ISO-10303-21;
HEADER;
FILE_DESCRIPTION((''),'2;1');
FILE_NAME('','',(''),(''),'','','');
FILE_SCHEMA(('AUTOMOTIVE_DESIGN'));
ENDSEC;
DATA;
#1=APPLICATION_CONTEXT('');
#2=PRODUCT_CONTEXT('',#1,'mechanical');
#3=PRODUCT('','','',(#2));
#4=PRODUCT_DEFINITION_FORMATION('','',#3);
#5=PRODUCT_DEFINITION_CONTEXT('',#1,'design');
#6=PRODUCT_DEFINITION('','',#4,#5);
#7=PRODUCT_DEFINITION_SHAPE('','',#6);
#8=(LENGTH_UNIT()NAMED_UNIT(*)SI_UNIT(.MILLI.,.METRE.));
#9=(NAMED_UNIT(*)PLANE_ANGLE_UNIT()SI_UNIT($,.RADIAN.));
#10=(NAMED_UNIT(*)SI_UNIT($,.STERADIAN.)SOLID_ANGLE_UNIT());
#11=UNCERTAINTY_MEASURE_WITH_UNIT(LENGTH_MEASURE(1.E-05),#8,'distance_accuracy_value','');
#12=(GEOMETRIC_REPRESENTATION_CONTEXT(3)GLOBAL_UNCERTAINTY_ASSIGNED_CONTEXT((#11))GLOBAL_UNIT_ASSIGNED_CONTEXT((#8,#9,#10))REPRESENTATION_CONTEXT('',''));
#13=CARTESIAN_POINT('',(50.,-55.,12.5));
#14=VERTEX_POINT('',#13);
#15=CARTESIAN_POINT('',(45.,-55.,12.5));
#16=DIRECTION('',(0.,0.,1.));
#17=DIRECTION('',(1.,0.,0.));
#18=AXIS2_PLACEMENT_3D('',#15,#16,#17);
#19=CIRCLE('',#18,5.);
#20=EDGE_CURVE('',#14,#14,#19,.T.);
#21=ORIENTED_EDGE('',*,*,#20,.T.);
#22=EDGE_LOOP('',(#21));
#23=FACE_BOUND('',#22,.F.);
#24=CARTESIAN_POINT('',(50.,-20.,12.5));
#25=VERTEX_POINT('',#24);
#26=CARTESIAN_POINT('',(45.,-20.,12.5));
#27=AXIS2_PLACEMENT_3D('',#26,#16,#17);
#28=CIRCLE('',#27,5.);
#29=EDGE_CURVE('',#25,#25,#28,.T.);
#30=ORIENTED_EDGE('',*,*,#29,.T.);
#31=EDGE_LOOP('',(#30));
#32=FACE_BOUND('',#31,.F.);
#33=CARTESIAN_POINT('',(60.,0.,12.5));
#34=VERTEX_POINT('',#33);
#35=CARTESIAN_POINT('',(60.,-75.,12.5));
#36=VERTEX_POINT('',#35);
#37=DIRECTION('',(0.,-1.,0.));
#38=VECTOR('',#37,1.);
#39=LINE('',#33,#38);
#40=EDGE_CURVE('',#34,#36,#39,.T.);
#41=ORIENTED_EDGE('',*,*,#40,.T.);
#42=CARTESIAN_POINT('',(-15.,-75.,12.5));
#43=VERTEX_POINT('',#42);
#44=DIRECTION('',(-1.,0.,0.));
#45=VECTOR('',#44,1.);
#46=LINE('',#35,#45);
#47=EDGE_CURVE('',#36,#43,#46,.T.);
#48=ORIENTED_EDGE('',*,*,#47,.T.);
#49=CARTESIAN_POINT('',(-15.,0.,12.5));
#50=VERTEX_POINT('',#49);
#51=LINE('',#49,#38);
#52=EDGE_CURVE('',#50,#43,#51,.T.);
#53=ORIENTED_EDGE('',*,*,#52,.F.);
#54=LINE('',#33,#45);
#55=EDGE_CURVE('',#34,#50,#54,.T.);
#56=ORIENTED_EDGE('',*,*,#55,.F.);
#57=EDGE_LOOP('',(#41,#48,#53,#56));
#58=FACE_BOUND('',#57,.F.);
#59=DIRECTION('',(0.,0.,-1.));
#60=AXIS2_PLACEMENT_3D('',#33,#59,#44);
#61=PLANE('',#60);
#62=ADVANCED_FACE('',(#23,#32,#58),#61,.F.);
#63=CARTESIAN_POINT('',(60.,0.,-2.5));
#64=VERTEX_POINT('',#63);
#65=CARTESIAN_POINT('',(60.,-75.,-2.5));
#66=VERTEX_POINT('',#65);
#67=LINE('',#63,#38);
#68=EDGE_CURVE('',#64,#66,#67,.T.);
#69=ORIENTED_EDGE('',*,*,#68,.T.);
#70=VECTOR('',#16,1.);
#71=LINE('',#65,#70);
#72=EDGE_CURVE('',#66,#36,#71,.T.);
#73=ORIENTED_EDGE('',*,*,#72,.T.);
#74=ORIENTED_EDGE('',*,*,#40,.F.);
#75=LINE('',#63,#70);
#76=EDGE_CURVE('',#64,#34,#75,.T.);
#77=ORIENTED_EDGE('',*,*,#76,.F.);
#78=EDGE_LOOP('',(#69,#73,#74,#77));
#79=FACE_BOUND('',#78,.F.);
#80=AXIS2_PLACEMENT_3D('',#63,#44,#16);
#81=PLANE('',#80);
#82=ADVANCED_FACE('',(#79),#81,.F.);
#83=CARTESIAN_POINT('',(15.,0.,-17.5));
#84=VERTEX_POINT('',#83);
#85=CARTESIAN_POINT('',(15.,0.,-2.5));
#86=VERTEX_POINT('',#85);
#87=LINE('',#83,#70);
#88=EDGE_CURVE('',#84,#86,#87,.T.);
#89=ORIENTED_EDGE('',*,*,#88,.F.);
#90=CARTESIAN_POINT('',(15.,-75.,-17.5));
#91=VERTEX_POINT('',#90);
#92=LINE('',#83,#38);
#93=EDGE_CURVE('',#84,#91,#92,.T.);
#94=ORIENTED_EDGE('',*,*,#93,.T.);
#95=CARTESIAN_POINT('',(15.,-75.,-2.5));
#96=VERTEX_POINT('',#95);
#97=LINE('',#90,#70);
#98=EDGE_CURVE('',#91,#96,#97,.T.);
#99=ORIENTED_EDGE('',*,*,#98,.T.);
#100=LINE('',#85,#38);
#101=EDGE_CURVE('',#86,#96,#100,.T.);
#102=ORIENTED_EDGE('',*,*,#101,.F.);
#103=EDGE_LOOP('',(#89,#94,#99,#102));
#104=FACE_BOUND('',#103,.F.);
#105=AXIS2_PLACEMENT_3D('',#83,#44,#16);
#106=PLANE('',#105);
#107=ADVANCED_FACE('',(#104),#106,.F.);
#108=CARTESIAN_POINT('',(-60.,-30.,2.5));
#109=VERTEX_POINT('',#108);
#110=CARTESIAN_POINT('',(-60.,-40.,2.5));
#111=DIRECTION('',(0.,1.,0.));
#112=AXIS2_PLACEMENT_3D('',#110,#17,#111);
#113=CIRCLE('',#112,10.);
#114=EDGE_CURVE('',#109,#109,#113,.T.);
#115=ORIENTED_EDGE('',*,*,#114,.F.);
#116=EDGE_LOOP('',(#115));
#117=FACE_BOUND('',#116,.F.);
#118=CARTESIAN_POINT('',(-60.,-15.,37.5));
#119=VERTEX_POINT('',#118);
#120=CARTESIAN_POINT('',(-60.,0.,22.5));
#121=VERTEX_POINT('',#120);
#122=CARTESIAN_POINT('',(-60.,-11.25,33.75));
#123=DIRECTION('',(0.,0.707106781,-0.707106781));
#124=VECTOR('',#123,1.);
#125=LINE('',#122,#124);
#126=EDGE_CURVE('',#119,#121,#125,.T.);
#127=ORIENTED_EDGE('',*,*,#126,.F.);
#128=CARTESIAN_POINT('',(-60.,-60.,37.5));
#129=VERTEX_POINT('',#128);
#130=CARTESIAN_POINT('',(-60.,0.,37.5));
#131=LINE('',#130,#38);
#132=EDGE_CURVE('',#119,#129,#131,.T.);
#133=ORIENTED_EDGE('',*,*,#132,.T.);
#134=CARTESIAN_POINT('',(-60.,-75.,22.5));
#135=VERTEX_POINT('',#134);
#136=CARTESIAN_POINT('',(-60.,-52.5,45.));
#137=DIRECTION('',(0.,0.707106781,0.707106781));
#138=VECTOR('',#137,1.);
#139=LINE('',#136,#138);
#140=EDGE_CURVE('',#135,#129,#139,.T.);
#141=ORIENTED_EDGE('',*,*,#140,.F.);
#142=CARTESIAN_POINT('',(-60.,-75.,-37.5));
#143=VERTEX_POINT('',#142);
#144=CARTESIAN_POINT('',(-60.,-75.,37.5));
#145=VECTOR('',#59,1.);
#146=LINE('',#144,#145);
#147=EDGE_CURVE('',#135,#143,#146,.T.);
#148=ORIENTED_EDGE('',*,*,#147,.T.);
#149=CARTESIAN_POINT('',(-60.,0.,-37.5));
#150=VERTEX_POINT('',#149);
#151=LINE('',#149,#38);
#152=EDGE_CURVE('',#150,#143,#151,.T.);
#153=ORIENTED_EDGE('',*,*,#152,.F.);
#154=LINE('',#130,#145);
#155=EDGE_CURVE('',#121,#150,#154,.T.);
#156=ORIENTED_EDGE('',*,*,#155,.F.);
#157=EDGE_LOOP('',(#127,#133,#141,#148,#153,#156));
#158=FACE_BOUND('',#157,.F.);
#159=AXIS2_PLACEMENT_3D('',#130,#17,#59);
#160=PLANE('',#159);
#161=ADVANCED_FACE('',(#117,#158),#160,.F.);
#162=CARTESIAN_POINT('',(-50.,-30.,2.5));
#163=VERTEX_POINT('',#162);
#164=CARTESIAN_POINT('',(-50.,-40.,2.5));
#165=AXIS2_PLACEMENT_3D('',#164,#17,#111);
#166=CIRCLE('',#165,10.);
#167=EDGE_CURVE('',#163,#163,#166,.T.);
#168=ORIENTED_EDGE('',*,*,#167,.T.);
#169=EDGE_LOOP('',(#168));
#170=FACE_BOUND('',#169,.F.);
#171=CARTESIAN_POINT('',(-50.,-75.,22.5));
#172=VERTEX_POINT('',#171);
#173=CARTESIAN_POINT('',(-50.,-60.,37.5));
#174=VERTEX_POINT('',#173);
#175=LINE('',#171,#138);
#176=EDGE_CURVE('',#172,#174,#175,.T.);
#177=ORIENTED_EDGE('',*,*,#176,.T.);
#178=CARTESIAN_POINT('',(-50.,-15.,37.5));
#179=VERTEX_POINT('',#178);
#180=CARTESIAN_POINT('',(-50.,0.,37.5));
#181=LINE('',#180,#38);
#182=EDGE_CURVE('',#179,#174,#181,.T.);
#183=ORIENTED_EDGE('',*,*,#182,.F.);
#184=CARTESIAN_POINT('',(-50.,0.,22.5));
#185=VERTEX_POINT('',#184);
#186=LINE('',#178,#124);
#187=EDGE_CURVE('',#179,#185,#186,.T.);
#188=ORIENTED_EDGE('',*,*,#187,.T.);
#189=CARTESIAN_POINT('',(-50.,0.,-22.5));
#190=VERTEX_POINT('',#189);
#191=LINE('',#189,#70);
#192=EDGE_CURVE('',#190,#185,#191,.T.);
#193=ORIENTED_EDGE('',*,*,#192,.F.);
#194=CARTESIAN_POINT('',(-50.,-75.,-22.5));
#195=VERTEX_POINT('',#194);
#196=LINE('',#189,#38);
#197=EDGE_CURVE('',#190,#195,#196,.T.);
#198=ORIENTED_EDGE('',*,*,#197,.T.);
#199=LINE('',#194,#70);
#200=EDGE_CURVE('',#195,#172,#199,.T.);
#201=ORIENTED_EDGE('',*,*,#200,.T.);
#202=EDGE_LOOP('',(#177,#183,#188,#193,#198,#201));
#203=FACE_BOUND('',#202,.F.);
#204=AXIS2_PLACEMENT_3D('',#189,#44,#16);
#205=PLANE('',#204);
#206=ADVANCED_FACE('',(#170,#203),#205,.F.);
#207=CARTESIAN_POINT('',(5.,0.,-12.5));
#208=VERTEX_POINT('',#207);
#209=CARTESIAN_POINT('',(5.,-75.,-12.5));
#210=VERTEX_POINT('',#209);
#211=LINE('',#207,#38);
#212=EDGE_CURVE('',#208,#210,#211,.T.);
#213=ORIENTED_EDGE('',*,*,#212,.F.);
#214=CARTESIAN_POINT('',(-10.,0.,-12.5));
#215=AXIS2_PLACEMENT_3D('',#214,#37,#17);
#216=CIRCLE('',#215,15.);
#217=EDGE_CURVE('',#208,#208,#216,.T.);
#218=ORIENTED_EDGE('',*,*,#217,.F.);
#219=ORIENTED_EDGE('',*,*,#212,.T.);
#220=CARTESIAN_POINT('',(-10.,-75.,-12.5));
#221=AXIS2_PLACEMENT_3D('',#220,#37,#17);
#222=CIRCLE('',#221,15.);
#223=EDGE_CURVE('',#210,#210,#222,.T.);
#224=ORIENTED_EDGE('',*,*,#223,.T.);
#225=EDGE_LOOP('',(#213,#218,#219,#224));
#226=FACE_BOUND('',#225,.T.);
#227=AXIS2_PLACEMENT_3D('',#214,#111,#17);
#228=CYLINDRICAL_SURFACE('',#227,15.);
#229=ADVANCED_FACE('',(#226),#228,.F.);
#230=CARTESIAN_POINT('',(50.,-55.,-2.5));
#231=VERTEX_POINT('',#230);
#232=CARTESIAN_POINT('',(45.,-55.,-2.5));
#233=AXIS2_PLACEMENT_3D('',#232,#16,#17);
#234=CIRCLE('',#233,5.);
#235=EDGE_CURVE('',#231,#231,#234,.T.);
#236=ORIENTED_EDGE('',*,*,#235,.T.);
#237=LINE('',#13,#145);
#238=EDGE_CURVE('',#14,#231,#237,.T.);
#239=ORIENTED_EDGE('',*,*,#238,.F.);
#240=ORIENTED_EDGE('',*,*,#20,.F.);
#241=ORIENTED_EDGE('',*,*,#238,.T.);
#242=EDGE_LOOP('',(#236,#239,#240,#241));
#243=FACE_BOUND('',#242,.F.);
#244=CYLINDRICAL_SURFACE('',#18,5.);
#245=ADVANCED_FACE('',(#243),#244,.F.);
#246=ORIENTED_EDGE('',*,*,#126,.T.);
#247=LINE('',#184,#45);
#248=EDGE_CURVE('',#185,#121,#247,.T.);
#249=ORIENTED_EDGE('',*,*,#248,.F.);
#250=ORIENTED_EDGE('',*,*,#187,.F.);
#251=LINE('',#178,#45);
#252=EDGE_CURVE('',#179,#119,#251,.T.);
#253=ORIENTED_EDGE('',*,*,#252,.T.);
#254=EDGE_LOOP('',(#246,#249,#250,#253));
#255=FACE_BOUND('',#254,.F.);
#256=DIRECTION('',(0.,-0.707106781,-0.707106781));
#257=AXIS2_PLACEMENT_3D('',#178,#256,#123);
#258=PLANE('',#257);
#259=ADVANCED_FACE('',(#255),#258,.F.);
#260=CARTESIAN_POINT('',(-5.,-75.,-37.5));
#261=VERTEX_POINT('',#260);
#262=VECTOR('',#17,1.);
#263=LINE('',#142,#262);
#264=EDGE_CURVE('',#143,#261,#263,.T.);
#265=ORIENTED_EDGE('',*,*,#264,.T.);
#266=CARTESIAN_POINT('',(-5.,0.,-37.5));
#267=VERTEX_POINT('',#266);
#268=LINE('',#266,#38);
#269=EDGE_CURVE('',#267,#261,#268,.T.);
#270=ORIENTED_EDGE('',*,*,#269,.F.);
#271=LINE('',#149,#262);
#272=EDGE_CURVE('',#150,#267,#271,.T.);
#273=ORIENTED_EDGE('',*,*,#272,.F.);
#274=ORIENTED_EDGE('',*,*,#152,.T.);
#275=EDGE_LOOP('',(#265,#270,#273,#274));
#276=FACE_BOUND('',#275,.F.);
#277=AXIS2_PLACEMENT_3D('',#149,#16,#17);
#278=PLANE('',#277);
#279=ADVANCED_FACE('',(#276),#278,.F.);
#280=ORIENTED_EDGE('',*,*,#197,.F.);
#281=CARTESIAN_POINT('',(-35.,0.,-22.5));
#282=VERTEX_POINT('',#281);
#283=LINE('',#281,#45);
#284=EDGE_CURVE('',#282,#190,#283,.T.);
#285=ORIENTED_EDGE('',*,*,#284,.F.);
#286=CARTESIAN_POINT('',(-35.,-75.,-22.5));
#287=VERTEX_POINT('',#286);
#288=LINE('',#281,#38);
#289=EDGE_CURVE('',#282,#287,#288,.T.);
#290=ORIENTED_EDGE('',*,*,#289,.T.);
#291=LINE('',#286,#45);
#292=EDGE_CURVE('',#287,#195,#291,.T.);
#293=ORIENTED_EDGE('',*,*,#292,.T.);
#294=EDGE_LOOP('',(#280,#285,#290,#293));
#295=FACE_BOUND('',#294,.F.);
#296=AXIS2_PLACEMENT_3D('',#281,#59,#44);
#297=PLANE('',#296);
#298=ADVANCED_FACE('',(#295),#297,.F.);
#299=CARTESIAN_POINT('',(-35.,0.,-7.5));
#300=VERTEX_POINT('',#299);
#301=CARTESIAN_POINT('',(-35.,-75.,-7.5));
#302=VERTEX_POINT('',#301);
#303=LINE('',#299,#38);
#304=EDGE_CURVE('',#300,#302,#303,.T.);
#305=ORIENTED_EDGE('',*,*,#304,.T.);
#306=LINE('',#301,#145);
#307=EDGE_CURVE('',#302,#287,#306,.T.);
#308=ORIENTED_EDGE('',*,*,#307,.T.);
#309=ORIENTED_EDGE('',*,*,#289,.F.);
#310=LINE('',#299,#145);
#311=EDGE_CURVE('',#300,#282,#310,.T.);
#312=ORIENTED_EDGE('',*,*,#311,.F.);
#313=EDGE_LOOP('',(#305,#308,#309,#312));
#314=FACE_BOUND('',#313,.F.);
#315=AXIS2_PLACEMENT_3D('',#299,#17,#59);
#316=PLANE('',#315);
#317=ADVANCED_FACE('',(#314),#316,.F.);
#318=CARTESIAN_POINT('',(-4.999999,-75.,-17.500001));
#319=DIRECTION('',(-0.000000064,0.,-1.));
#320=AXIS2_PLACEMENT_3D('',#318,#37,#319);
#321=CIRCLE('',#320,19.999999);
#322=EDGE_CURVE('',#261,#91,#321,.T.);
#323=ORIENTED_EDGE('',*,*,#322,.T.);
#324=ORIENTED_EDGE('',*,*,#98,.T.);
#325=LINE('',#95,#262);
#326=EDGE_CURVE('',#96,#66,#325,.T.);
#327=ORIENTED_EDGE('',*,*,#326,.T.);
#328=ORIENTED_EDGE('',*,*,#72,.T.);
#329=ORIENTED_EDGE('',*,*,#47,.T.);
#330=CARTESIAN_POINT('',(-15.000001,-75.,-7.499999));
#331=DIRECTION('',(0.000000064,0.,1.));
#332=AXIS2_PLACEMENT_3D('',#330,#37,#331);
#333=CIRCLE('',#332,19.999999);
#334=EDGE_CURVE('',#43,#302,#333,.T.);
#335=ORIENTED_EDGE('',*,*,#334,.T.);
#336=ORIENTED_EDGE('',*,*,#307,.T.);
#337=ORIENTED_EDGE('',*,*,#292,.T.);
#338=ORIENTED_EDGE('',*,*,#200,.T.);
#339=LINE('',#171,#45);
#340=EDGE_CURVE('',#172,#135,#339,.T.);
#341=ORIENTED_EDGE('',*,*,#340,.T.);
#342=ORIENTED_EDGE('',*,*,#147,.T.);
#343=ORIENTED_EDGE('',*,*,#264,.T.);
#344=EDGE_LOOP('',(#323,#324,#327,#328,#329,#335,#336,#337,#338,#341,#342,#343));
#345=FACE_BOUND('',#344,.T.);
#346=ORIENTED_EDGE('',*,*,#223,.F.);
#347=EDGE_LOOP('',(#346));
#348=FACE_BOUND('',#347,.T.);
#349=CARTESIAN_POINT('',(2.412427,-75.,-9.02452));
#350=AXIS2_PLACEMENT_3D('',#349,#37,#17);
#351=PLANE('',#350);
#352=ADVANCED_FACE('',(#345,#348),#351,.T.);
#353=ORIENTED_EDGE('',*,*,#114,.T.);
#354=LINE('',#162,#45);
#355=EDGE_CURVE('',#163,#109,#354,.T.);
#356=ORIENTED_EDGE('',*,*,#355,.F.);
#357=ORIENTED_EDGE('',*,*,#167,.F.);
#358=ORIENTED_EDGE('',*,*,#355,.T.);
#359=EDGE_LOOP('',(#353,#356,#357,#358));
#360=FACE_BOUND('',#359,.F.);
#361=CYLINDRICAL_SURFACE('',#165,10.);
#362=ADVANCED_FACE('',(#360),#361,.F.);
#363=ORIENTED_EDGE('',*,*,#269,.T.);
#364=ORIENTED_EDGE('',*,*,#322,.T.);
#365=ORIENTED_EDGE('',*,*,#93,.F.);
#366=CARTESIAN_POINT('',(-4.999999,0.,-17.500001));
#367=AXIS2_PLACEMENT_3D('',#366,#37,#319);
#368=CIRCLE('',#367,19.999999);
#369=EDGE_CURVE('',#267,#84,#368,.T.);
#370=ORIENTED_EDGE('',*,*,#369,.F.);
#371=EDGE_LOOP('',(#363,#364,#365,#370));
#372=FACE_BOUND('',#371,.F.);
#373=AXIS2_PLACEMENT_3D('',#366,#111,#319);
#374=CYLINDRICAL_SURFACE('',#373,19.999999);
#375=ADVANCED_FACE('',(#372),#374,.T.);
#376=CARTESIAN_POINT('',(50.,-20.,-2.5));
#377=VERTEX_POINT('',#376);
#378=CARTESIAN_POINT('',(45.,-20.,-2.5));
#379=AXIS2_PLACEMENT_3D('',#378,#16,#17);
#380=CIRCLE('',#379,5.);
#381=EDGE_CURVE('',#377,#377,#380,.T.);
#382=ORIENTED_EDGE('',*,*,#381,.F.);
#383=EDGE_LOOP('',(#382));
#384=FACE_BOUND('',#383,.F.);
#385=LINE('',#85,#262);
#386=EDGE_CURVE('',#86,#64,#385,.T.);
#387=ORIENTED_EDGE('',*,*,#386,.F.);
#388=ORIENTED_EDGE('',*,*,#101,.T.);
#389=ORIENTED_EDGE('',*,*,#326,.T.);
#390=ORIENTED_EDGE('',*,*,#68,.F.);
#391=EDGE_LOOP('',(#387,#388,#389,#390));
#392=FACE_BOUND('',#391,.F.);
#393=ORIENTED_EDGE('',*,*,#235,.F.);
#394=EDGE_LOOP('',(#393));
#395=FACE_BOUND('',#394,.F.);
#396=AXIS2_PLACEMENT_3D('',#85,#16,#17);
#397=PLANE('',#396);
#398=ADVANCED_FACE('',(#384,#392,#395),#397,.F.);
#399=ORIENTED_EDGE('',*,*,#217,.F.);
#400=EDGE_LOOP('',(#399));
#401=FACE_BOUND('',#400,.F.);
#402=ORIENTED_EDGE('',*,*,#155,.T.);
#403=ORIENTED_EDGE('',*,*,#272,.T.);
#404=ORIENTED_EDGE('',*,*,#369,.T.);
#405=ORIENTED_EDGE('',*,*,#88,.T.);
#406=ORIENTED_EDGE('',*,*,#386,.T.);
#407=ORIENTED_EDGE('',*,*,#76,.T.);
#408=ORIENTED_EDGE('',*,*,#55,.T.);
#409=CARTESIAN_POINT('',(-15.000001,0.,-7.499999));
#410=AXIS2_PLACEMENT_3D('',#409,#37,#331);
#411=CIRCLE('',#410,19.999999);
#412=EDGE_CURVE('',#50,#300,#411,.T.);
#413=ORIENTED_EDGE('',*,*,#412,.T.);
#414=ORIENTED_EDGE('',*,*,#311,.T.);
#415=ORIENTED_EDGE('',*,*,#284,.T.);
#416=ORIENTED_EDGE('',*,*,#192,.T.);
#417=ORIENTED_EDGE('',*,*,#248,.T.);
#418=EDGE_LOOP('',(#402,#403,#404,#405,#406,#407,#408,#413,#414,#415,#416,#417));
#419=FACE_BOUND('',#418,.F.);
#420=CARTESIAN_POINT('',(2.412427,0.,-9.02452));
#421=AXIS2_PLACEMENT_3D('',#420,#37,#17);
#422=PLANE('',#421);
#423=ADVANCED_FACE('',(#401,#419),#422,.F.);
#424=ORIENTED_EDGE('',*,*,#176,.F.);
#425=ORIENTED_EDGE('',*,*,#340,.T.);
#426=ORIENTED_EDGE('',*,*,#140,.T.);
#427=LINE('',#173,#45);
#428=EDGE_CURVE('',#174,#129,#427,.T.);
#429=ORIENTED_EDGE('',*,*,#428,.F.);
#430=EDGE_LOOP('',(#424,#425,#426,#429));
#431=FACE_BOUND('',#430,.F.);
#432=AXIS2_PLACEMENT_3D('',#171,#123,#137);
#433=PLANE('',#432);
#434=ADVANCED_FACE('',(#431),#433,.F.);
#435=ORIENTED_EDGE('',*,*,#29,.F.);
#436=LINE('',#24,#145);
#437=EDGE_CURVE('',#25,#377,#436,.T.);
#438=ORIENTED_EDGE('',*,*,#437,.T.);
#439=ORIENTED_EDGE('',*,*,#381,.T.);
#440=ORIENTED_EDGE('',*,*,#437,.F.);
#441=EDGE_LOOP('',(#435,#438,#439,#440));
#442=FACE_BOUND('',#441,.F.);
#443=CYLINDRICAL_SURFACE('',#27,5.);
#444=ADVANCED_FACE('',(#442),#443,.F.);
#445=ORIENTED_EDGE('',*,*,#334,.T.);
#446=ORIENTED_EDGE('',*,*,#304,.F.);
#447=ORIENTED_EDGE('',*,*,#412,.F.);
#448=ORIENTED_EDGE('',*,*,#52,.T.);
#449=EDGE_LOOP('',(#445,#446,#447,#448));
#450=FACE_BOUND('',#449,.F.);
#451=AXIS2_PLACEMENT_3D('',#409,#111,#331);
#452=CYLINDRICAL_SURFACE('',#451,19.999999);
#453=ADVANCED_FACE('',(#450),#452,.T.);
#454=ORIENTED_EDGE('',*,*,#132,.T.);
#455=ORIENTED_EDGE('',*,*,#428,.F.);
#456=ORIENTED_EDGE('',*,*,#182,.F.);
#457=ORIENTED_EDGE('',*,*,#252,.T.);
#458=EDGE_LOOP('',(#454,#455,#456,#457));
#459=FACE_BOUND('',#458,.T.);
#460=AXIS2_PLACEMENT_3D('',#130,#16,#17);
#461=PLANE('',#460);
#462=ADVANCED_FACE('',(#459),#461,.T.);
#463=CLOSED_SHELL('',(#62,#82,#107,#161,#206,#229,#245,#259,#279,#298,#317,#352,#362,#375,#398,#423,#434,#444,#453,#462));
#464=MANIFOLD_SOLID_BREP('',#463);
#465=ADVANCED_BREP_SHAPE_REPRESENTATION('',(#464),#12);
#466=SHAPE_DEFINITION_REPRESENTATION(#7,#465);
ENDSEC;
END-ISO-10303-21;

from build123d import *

# Parameters (mm, degrees)
F0_R     = 15
F0_W     = 10
F0_H     = 15
F1_DEPTH = 75
F2_R     = 5
F3_DEPTH = 50.001
F4_R     = 10
F5_DEPTH = 10.001


with BuildPart() as f1:
    # F0 (on Front) → F1 (new body)
    with BuildSketch(Plane.XZ):
        with BuildLine():
            Line((60, -2.5), (60, 12.5))
            Line((60, 12.5), (-15, 12.5))
            ThreePointArc((-15, 12.5), (-29.142136, 6.642136), (-35, -7.5))
            Line((-35, -7.5), (-35, -22.5))
            Line((-35, -22.5), (-50, -22.5))
            Line((-50, -22.5), (-50, -37.5))
            Line((-50, -37.5), (-5, -37.5))
            ThreePointArc((-5, -37.5), (9.142136, -31.642136), (15, -17.5))
            Line((15, -17.5), (15, -2.5))
            Line((15, -2.5), (60, -2.5))
        make_face()
        with Locations((-10, -12.5)):
            Circle(F0_R, mode=Mode.SUBTRACT)
        Polygon((-50, -22.5), (-50, 22.5), (-60, 22.5), (-60, -37.5), (-50, -37.5), align=None)
        with Locations((-55, 30)):
            Rectangle(F0_W, F0_H)
    extrude(amount=F1_DEPTH)

    # F2 (on face) → F3 (cut, through all)
    with BuildSketch(Plane.XY.offset(12.5)):
        with Locations((45, -20)):
            Circle(F2_R)
        with Locations((45, -55)):
            Circle(F2_R)
    extrude(amount=-F3_DEPTH, mode=Mode.SUBTRACT)

    # F4 (on face) → F5 (cut, through all)
    with BuildSketch(Plane.YZ.offset(-50)):
        with Locations((-40, 2.5)):
            Circle(F4_R)
        Polygon((-75, 37.5), (-75, 22.5), (-60, 37.5), align=None)
        Polygon((0, 37.5), (-15, 37.5), (0, 22.5), align=None)
    extrude(amount=-F5_DEPTH, mode=Mode.SUBTRACT)


solid = f1.part
